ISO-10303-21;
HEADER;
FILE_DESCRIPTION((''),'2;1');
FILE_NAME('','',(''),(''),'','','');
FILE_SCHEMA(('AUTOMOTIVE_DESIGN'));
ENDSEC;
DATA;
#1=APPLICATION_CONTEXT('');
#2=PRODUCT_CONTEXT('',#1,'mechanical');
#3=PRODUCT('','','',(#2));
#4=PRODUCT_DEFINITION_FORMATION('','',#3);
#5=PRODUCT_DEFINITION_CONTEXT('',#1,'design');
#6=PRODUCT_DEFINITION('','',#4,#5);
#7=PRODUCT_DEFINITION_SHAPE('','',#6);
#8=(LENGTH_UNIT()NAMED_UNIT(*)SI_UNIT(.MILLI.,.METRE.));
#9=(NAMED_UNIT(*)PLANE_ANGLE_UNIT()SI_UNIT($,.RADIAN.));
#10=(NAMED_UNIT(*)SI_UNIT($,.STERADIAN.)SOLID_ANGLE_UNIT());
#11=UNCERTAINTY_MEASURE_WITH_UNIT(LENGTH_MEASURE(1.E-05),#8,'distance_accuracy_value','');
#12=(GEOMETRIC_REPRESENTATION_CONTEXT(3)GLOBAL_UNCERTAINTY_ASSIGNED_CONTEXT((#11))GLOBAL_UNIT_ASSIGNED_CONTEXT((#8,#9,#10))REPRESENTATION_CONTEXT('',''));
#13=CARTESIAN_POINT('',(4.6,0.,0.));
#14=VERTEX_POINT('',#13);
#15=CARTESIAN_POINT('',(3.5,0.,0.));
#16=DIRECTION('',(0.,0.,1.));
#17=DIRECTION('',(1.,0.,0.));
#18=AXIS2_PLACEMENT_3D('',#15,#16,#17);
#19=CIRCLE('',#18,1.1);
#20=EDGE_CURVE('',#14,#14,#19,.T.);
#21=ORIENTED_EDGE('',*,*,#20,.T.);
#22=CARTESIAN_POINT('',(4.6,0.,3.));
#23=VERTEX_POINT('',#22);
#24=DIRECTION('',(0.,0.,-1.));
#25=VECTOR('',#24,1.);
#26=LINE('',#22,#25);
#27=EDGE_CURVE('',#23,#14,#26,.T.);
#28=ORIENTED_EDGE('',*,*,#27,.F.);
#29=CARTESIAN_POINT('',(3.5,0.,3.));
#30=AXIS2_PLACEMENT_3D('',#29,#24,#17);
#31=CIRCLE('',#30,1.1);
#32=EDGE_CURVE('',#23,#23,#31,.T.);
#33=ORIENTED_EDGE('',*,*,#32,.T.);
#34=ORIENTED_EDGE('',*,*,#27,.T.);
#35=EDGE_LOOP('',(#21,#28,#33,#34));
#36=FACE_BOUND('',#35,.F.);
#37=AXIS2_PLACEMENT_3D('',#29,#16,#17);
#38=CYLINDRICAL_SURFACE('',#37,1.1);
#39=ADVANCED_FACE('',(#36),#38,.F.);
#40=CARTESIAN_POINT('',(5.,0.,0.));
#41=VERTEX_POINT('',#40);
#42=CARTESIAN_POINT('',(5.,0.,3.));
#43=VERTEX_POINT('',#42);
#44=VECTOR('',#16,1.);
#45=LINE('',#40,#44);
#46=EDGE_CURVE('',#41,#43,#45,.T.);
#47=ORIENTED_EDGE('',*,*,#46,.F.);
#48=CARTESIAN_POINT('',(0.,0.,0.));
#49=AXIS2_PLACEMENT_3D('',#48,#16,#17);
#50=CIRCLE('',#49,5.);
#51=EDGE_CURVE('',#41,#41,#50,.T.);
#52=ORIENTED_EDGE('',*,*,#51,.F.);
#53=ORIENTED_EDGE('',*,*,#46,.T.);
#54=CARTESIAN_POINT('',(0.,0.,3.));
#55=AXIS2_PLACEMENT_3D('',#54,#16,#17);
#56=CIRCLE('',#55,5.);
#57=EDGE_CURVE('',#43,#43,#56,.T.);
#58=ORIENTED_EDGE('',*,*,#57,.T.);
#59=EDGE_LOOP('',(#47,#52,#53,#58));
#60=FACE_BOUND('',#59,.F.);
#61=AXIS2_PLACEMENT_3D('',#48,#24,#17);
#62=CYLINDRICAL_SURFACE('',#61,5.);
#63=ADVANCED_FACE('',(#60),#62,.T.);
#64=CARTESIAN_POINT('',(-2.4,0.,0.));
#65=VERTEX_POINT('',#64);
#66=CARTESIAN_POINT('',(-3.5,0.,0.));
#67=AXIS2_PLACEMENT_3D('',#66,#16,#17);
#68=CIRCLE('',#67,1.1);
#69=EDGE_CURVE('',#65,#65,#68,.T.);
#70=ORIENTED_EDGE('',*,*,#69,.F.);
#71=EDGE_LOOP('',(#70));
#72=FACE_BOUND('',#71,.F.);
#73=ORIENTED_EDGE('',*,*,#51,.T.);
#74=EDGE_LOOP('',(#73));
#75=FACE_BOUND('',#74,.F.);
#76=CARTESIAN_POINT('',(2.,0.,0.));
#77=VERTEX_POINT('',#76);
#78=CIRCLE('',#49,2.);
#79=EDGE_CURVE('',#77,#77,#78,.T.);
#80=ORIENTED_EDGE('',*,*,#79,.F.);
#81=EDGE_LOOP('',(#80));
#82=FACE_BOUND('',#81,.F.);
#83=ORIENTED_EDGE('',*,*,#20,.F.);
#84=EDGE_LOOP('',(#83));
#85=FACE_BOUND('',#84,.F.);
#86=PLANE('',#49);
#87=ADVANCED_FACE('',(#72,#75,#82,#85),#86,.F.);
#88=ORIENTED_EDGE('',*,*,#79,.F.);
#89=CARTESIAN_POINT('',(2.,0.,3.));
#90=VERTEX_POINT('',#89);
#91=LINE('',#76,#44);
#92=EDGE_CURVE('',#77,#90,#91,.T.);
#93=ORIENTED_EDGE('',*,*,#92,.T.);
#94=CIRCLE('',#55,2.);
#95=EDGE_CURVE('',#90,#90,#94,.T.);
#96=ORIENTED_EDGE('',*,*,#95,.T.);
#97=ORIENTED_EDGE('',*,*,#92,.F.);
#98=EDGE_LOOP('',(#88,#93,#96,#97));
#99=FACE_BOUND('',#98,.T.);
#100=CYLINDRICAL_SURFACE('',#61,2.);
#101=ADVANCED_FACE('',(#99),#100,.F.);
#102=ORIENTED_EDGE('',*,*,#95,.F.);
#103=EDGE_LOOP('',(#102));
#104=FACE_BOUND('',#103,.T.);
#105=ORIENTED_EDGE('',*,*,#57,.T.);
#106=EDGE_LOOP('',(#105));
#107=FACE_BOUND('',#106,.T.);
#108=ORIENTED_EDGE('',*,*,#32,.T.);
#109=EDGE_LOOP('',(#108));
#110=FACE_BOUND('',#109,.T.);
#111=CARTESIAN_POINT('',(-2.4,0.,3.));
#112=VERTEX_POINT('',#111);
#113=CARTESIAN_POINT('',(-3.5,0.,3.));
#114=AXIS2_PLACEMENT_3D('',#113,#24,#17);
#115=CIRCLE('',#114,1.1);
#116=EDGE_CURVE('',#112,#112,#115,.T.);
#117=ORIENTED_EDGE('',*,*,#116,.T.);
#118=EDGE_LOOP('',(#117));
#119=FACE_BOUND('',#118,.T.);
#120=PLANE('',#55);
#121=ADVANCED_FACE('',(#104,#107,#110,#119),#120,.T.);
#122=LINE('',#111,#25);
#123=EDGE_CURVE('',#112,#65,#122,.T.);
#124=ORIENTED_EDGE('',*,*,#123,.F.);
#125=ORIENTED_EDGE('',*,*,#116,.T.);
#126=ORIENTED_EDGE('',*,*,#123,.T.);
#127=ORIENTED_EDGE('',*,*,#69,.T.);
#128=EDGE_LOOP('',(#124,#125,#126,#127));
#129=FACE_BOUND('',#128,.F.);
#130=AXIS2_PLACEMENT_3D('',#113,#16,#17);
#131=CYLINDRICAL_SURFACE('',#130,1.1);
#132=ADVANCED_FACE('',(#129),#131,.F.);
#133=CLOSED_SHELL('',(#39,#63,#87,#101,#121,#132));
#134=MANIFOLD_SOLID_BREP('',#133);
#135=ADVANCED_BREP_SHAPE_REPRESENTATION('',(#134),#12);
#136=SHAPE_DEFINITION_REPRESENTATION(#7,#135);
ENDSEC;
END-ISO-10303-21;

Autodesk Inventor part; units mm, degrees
ref_plane "YZ Plane" through (0, 0, 0) normal (1, 0, 0) x (0, 1, 0)
ref_plane "XZ Plane" through (0, 0, 0) normal (0, 1, 0) x (-1, 0, 0)
ref_plane "XY Plane" through (0, 0, 0) normal (0, 0, 1) x (1, 0, 0)
sketch "スケッチ1" plane through (0, 0, 0) normal (0, 0, 1) x (1, 0, 0)
  circle A0 centre (0, 0) radius 5
  circle A1 centre (0, 0) radius 2
  dimension "d0" = 10
  dimension "d1" = 4
extrude "押し出し1" add sketch "スケッチ1" along normal blind 3
sketch "スケッチ2" plane through (0, 0, 3) normal (0, 0, 1) x (1, 0, 0)
  circle A0 centre (0, 0) radius 3.5
  circle A1 centre (-3.5, 0) radius 1.1
  circle A2 centre (3.5, 0) radius 1.1
  dimension "d4" = 7
  dimension "d5" = 2.2
  dimension "d6" = 2.2
extrude "押し出し2" cut sketch "スケッチ2" against normal blind 3 contours A0 A2 | A0 A2 | A1 A0 | A0 A1
properties part number "homemade_setcolor-2" material "アルミニウム 6061"
